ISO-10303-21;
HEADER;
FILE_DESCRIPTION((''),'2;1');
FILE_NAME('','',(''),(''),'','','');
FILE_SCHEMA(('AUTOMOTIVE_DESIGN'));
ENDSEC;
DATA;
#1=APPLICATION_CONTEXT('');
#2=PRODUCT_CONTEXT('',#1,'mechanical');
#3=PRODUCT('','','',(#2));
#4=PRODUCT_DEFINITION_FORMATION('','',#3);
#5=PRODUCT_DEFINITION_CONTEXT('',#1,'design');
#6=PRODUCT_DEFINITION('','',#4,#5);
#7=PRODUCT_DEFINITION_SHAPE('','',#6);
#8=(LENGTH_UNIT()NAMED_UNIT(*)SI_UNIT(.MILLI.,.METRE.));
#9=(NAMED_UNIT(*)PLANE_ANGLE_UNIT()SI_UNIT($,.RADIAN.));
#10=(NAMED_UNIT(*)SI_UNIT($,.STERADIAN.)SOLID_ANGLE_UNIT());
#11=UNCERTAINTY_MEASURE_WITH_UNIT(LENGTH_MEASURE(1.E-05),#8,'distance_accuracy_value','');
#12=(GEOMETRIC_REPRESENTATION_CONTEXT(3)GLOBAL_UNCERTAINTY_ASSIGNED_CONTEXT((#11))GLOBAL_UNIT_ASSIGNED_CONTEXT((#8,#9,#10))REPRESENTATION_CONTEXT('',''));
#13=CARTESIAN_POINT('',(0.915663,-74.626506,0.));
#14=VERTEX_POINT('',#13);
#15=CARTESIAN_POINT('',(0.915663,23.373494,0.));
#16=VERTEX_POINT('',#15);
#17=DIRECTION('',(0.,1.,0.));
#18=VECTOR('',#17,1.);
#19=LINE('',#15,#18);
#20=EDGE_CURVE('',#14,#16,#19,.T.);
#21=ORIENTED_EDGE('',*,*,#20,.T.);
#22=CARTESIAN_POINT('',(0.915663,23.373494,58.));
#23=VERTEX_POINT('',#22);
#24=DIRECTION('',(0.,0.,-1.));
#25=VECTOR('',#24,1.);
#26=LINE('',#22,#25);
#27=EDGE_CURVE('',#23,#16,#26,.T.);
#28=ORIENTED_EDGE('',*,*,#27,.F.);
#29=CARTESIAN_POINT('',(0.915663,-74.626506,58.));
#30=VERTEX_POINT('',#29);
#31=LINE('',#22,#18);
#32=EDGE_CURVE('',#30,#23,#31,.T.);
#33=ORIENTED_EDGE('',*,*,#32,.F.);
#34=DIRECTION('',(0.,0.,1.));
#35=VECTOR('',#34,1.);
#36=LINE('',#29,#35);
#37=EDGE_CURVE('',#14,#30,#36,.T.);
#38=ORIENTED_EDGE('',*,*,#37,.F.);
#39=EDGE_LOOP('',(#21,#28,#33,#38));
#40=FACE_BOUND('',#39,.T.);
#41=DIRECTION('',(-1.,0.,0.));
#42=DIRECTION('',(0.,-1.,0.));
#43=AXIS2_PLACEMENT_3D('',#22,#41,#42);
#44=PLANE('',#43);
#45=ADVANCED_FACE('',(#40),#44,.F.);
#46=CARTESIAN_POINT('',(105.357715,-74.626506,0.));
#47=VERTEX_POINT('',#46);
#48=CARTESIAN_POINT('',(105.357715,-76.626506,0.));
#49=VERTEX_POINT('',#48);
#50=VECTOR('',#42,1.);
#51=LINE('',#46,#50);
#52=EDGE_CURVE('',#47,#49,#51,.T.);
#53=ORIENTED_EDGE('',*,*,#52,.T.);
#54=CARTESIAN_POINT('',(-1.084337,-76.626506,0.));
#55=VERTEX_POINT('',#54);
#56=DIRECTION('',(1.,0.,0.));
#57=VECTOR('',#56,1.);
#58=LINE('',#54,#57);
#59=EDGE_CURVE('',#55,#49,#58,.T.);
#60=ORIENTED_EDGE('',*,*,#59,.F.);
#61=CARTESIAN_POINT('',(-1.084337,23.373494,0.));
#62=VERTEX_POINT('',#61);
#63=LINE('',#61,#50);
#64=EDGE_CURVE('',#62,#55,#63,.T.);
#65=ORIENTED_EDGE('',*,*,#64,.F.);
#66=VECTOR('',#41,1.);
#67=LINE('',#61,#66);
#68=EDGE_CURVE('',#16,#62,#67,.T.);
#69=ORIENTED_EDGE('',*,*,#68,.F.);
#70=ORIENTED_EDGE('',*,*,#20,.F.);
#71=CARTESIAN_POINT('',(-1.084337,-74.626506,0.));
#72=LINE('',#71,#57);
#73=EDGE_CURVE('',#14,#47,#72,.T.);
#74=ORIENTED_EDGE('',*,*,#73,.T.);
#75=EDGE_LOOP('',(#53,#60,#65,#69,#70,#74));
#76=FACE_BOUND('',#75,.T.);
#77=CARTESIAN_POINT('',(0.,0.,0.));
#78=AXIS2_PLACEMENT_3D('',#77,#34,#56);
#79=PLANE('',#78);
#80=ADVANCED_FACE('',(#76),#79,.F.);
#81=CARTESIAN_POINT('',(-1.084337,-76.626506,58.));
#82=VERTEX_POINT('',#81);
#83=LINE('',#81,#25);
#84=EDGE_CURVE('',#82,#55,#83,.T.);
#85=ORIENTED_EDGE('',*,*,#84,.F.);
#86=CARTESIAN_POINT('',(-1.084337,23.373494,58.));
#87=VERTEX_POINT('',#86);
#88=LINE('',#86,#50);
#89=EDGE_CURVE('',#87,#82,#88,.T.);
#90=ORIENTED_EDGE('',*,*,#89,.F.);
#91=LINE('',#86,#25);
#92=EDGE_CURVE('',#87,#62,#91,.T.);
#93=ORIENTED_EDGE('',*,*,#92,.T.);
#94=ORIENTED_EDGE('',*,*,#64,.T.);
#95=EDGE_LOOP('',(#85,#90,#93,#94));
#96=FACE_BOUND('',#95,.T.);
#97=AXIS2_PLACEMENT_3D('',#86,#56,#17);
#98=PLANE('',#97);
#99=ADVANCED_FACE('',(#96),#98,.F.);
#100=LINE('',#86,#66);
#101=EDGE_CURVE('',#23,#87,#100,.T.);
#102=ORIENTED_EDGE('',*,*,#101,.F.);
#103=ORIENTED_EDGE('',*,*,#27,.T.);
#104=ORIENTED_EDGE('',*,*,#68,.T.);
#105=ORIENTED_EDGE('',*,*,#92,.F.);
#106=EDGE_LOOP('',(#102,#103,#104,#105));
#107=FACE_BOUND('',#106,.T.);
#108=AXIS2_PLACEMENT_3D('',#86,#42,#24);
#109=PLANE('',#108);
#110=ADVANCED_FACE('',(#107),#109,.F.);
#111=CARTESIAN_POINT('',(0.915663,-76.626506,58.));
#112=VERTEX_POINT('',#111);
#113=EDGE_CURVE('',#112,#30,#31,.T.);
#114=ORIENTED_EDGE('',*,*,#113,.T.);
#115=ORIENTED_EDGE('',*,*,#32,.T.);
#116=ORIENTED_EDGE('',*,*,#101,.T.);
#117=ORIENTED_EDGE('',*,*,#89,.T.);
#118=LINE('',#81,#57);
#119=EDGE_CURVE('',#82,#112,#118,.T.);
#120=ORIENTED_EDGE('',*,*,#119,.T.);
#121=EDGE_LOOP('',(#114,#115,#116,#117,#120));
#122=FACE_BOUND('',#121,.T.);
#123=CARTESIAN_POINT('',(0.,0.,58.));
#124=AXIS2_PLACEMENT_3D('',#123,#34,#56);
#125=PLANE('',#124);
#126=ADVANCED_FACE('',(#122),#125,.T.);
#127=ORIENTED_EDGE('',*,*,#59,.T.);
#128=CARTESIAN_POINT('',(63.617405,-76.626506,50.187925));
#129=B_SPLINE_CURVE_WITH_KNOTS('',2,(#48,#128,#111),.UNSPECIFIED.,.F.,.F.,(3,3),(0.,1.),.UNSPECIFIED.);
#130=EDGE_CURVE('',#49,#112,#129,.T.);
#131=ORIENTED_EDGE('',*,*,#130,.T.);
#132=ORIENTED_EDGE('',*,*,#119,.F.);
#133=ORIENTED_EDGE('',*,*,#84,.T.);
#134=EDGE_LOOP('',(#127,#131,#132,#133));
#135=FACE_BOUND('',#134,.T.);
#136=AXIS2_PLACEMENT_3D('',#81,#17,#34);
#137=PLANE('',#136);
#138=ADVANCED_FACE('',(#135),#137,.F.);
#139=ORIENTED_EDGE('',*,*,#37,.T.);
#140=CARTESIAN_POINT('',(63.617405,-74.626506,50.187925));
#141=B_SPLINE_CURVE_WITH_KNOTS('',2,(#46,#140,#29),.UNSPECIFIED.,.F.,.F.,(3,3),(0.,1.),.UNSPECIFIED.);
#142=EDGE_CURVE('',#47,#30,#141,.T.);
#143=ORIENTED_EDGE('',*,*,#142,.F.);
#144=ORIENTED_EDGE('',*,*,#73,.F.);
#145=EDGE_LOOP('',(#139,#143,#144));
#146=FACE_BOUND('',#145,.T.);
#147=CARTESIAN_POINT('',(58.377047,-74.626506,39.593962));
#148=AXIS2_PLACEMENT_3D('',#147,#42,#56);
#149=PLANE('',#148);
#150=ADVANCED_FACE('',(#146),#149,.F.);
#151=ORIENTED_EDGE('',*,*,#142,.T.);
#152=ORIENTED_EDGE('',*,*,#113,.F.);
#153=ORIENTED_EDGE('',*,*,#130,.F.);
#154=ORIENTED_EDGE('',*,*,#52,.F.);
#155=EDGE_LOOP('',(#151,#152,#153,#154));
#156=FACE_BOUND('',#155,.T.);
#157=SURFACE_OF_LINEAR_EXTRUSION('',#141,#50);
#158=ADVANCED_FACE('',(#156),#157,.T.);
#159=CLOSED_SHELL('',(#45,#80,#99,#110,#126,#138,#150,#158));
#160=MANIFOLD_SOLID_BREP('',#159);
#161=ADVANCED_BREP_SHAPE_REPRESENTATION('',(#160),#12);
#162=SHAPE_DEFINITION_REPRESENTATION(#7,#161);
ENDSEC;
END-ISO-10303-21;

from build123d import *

# Parameters (mm, degrees)
SKETCH1_W           = 2
SKETCH1_H           = 100
BOSS_EXTRUDE1_DEPTH = 58
BOSS_EXTRUDE2_DEPTH = 2


with BuildPart() as part:
    # Sketch1 → Boss-Extrude1 (new body)
    with BuildSketch(Plane.XY):
        with Locations((-0.084337349, -26.626506024)):
            Rectangle(SKETCH1_W, SKETCH1_H)
    extrude(amount=BOSS_EXTRUDE1_DEPTH)

    # Sketch2 → Boss-Extrude2 (add)
    with BuildSketch(Plane.XZ.offset(76.626506024)):
        with BuildLine():
            Line((0.915662651, 58), (-1.084337349, 58))
            Line((-1.084337349, 58), (-1.084337349, 0))
            Line((-1.084337349, 0), (105.357714941, 0))
            add(Edge.make_bspline(
                [(0.915662651, 58), (63.617404925, 50.187924703), (105.357714941, 0)],
                knots=[0, 0, 0, 1, 1, 1], degree=2))
        make_face()
    extrude(amount=-BOSS_EXTRUDE2_DEPTH)


solid = part.part
